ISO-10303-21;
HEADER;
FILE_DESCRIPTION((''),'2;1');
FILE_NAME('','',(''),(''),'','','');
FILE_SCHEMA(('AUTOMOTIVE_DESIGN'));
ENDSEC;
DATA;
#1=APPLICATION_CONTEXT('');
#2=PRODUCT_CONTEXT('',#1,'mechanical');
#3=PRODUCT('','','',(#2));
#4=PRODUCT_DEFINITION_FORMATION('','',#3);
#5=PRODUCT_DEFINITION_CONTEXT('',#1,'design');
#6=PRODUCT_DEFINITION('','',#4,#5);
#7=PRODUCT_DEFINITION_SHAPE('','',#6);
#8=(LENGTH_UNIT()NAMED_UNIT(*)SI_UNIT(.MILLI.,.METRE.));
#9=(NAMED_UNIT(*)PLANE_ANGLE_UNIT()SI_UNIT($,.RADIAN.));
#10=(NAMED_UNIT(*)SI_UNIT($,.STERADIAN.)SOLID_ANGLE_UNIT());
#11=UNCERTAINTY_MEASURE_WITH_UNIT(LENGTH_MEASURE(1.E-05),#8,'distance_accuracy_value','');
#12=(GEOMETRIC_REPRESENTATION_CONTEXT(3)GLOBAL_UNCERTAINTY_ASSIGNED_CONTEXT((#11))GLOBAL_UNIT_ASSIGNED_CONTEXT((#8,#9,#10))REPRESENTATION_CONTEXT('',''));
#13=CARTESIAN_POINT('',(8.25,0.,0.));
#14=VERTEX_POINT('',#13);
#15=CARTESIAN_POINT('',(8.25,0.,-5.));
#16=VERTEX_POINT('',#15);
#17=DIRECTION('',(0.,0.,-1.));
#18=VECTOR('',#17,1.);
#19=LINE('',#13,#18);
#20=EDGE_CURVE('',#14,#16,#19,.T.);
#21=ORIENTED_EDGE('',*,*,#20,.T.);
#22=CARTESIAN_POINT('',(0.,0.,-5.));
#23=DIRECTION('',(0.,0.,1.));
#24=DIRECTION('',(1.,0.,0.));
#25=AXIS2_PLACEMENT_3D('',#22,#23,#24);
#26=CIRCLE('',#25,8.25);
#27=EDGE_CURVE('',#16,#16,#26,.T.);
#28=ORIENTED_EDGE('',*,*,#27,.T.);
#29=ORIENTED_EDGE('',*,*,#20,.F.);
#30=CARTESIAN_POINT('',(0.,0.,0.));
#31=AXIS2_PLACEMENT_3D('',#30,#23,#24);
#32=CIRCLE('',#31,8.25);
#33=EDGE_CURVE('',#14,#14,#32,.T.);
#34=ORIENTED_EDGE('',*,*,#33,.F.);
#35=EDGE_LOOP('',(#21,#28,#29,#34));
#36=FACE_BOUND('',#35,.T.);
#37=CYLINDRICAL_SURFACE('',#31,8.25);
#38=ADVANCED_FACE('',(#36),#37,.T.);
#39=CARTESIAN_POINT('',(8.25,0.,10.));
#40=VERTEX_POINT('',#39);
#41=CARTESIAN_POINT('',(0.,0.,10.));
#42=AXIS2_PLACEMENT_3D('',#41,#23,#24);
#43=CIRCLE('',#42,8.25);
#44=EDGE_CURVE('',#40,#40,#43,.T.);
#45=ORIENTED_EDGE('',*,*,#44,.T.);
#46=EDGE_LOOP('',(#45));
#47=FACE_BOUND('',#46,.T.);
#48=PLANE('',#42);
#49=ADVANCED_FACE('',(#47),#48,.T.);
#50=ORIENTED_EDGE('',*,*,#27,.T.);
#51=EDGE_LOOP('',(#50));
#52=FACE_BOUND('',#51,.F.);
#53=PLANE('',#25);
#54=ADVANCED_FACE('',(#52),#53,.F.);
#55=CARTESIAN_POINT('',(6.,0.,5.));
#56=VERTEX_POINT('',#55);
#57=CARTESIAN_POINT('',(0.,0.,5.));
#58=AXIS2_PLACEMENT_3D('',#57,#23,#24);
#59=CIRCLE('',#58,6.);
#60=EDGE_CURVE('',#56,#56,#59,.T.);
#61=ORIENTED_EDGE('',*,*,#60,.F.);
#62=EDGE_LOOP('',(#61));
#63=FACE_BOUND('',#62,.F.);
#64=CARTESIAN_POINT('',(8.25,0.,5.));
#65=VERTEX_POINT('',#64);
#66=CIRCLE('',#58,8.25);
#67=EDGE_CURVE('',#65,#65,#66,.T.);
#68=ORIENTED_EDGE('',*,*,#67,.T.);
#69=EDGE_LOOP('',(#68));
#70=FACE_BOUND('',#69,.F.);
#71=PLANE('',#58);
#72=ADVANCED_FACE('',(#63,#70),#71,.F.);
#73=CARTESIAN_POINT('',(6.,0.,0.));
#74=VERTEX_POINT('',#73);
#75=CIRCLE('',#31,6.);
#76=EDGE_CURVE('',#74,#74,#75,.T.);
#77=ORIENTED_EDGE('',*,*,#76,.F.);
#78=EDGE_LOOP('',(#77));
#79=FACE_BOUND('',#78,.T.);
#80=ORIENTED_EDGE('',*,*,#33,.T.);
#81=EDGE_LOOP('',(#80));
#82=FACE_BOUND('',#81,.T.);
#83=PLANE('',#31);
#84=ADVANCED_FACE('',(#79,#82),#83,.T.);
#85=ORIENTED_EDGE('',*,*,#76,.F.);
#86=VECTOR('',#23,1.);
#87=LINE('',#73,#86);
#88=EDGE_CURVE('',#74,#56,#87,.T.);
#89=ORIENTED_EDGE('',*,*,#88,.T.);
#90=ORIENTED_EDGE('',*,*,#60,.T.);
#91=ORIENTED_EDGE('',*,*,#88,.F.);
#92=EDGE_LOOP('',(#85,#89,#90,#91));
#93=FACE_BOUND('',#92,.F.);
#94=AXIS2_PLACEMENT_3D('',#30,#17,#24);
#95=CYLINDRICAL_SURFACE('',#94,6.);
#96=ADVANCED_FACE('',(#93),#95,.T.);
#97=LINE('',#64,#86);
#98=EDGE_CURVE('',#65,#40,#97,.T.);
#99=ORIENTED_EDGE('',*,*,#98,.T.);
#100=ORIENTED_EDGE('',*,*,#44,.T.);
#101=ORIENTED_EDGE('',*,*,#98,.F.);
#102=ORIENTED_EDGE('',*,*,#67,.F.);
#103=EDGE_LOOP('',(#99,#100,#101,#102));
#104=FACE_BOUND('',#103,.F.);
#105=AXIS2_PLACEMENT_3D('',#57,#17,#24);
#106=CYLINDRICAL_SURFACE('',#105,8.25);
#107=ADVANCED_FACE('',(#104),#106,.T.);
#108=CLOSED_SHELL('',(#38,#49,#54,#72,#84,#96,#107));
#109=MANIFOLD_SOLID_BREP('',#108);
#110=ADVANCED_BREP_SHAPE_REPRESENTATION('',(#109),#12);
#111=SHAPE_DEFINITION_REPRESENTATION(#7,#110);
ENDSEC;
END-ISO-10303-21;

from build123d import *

# Parameters (mm, degrees)
F0_R     = 8.25
F1_DEPTH = 5
F2_R     = 6
F3_DEPTH = 5
F4_R     = 8.25
F5_DEPTH = 5


with BuildPart() as f1:
    # F0 (on Top) → F1 (new body)
    with BuildSketch(Plane.XY):
        Circle(F0_R)
    extrude(amount=-F1_DEPTH)

    # F2 (on Top) → F3 (join)
    with BuildSketch(Plane.XY):
        Circle(F2_R)
    extrude(amount=F3_DEPTH)

    # F4 (on face) → F5 (join)
    with BuildSketch(Plane.XY.offset(5)):
        Circle(F4_R)
    extrude(amount=F5_DEPTH)


solid = f1.part
